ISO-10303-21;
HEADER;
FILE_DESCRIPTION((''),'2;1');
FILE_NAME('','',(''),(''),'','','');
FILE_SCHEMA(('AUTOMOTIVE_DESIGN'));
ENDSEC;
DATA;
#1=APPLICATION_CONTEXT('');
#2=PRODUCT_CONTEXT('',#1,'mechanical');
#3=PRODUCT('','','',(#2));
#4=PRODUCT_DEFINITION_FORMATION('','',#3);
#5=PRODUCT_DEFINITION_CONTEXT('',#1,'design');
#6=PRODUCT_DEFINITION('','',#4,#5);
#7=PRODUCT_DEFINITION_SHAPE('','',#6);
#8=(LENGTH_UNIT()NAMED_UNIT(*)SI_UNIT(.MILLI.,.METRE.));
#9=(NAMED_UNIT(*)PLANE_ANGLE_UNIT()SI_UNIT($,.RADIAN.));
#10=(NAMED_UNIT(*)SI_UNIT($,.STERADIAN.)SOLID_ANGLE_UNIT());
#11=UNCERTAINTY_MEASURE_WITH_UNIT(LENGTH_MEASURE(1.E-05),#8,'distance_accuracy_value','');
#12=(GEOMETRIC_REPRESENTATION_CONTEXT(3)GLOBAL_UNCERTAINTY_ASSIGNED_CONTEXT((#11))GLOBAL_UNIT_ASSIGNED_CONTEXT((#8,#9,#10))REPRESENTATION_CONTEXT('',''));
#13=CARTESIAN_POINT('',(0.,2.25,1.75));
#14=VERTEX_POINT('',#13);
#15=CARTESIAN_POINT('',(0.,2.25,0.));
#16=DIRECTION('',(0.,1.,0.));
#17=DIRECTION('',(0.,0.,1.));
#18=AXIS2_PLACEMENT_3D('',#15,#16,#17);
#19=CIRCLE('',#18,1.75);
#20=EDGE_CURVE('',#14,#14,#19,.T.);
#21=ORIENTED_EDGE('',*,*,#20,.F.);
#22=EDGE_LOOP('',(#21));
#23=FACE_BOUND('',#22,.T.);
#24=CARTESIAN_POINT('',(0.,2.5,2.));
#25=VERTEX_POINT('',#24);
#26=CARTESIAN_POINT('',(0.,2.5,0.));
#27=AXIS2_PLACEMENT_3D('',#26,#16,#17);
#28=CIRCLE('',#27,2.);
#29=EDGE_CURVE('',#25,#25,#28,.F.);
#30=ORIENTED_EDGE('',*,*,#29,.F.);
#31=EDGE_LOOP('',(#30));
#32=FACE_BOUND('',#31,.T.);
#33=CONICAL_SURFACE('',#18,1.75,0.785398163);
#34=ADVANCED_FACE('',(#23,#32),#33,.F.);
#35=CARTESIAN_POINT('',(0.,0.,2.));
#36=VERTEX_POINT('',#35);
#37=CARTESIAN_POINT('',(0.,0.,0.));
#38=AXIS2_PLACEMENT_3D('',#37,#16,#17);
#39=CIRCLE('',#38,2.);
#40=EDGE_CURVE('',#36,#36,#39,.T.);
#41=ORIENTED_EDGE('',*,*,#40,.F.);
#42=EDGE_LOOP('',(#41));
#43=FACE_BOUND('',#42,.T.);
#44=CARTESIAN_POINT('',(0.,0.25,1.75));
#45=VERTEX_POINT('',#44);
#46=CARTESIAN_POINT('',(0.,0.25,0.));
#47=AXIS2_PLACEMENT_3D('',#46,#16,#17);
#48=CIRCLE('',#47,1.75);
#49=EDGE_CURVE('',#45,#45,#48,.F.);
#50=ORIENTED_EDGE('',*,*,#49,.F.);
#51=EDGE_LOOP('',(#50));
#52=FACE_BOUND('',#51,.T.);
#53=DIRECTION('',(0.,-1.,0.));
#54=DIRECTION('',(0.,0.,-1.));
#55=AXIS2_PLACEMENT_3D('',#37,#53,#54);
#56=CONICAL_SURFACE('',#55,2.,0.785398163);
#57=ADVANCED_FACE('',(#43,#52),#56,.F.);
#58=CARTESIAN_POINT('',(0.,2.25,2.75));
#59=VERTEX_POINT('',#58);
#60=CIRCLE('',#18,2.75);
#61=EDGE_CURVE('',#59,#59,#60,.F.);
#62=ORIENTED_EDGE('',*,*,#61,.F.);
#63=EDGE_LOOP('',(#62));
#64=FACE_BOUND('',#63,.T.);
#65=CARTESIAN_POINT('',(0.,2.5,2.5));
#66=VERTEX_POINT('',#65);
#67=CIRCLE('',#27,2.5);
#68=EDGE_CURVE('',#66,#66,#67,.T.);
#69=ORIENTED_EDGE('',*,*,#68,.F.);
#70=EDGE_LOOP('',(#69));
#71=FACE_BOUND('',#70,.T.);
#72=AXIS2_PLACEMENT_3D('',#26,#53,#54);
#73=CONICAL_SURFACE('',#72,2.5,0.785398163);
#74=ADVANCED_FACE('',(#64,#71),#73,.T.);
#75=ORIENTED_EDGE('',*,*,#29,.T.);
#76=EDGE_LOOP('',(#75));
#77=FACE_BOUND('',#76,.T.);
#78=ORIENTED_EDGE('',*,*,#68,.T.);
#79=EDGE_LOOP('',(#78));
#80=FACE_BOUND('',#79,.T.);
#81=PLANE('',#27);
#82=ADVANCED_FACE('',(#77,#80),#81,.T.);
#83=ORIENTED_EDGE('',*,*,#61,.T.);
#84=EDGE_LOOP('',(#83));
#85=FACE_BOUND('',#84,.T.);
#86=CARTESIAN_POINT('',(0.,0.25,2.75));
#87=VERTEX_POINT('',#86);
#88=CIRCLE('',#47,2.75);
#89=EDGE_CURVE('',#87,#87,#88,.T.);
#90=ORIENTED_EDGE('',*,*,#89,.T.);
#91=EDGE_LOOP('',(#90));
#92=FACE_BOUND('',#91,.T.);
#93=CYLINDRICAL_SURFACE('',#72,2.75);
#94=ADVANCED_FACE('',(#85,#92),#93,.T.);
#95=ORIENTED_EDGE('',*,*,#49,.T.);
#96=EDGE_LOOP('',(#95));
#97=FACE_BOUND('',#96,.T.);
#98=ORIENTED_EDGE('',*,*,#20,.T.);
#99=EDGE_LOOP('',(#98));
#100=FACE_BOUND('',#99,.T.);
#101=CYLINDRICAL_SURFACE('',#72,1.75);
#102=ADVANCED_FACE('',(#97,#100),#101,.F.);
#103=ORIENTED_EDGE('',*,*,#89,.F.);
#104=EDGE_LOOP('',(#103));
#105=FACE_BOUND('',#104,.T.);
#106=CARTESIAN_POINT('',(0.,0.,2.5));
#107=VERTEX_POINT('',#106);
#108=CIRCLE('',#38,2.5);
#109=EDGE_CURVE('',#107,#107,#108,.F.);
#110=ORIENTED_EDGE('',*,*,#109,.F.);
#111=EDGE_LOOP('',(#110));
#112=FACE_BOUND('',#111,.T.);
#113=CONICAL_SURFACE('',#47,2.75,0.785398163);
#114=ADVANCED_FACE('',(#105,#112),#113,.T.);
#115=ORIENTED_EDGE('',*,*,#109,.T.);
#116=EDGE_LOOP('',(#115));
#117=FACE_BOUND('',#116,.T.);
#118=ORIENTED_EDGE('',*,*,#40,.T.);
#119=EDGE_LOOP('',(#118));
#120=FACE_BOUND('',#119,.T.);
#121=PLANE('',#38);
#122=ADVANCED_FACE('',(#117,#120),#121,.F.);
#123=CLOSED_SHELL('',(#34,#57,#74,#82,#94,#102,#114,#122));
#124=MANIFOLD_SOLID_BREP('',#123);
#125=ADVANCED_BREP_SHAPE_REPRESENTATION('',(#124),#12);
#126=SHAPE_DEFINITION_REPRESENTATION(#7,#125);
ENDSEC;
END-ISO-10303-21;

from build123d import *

# Parameters (mm, degrees)
SKETCH2_R           = 2.75
SKETCH2_R_2         = 1.75
BOSS_EXTRUDE1_DEPTH = 2.5
CHAMFER1_SIZE       = 0.25
CHAMFER2_SIZE       = 0.25
CHAMFER3_SIZE       = 0.25
CHAMFER4_SIZE       = 0.25


with BuildPart() as part:
    # Sketch2 → Boss-Extrude1 (new body)
    with BuildSketch(Plane(origin=(0, 0, 0), x_dir=(1, 0, 0), z_dir=(0, 1, 0))):
        Circle(SKETCH2_R)
        Circle(SKETCH2_R_2, mode=Mode.SUBTRACT)
    extrude(amount=BOSS_EXTRUDE1_DEPTH)

    # Chamfer1
    chamfer1_edges = [part.edges().sort_by_distance(p)[0] for p in [
        (-2.75, 2.5, 0),
    ]]
    chamfer(chamfer1_edges, length=CHAMFER1_SIZE)

    # Chamfer2
    chamfer2_edges = [part.edges().sort_by_distance(p)[0] for p in [
        (-2.75, 0, 0),
    ]]
    chamfer(chamfer2_edges, length=CHAMFER2_SIZE)

    # Chamfer3
    chamfer3_edges = [part.edges().sort_by_distance(p)[0] for p in [
        (-1.75, 2.5, 0),
    ]]
    chamfer(chamfer3_edges, length=CHAMFER3_SIZE)

    # Chamfer4
    chamfer4_edges = [part.edges().sort_by_distance(p)[0] for p in [
        (-1.75, 0, 0),
    ]]
    chamfer(chamfer4_edges, length=CHAMFER4_SIZE)


solid = part.part
